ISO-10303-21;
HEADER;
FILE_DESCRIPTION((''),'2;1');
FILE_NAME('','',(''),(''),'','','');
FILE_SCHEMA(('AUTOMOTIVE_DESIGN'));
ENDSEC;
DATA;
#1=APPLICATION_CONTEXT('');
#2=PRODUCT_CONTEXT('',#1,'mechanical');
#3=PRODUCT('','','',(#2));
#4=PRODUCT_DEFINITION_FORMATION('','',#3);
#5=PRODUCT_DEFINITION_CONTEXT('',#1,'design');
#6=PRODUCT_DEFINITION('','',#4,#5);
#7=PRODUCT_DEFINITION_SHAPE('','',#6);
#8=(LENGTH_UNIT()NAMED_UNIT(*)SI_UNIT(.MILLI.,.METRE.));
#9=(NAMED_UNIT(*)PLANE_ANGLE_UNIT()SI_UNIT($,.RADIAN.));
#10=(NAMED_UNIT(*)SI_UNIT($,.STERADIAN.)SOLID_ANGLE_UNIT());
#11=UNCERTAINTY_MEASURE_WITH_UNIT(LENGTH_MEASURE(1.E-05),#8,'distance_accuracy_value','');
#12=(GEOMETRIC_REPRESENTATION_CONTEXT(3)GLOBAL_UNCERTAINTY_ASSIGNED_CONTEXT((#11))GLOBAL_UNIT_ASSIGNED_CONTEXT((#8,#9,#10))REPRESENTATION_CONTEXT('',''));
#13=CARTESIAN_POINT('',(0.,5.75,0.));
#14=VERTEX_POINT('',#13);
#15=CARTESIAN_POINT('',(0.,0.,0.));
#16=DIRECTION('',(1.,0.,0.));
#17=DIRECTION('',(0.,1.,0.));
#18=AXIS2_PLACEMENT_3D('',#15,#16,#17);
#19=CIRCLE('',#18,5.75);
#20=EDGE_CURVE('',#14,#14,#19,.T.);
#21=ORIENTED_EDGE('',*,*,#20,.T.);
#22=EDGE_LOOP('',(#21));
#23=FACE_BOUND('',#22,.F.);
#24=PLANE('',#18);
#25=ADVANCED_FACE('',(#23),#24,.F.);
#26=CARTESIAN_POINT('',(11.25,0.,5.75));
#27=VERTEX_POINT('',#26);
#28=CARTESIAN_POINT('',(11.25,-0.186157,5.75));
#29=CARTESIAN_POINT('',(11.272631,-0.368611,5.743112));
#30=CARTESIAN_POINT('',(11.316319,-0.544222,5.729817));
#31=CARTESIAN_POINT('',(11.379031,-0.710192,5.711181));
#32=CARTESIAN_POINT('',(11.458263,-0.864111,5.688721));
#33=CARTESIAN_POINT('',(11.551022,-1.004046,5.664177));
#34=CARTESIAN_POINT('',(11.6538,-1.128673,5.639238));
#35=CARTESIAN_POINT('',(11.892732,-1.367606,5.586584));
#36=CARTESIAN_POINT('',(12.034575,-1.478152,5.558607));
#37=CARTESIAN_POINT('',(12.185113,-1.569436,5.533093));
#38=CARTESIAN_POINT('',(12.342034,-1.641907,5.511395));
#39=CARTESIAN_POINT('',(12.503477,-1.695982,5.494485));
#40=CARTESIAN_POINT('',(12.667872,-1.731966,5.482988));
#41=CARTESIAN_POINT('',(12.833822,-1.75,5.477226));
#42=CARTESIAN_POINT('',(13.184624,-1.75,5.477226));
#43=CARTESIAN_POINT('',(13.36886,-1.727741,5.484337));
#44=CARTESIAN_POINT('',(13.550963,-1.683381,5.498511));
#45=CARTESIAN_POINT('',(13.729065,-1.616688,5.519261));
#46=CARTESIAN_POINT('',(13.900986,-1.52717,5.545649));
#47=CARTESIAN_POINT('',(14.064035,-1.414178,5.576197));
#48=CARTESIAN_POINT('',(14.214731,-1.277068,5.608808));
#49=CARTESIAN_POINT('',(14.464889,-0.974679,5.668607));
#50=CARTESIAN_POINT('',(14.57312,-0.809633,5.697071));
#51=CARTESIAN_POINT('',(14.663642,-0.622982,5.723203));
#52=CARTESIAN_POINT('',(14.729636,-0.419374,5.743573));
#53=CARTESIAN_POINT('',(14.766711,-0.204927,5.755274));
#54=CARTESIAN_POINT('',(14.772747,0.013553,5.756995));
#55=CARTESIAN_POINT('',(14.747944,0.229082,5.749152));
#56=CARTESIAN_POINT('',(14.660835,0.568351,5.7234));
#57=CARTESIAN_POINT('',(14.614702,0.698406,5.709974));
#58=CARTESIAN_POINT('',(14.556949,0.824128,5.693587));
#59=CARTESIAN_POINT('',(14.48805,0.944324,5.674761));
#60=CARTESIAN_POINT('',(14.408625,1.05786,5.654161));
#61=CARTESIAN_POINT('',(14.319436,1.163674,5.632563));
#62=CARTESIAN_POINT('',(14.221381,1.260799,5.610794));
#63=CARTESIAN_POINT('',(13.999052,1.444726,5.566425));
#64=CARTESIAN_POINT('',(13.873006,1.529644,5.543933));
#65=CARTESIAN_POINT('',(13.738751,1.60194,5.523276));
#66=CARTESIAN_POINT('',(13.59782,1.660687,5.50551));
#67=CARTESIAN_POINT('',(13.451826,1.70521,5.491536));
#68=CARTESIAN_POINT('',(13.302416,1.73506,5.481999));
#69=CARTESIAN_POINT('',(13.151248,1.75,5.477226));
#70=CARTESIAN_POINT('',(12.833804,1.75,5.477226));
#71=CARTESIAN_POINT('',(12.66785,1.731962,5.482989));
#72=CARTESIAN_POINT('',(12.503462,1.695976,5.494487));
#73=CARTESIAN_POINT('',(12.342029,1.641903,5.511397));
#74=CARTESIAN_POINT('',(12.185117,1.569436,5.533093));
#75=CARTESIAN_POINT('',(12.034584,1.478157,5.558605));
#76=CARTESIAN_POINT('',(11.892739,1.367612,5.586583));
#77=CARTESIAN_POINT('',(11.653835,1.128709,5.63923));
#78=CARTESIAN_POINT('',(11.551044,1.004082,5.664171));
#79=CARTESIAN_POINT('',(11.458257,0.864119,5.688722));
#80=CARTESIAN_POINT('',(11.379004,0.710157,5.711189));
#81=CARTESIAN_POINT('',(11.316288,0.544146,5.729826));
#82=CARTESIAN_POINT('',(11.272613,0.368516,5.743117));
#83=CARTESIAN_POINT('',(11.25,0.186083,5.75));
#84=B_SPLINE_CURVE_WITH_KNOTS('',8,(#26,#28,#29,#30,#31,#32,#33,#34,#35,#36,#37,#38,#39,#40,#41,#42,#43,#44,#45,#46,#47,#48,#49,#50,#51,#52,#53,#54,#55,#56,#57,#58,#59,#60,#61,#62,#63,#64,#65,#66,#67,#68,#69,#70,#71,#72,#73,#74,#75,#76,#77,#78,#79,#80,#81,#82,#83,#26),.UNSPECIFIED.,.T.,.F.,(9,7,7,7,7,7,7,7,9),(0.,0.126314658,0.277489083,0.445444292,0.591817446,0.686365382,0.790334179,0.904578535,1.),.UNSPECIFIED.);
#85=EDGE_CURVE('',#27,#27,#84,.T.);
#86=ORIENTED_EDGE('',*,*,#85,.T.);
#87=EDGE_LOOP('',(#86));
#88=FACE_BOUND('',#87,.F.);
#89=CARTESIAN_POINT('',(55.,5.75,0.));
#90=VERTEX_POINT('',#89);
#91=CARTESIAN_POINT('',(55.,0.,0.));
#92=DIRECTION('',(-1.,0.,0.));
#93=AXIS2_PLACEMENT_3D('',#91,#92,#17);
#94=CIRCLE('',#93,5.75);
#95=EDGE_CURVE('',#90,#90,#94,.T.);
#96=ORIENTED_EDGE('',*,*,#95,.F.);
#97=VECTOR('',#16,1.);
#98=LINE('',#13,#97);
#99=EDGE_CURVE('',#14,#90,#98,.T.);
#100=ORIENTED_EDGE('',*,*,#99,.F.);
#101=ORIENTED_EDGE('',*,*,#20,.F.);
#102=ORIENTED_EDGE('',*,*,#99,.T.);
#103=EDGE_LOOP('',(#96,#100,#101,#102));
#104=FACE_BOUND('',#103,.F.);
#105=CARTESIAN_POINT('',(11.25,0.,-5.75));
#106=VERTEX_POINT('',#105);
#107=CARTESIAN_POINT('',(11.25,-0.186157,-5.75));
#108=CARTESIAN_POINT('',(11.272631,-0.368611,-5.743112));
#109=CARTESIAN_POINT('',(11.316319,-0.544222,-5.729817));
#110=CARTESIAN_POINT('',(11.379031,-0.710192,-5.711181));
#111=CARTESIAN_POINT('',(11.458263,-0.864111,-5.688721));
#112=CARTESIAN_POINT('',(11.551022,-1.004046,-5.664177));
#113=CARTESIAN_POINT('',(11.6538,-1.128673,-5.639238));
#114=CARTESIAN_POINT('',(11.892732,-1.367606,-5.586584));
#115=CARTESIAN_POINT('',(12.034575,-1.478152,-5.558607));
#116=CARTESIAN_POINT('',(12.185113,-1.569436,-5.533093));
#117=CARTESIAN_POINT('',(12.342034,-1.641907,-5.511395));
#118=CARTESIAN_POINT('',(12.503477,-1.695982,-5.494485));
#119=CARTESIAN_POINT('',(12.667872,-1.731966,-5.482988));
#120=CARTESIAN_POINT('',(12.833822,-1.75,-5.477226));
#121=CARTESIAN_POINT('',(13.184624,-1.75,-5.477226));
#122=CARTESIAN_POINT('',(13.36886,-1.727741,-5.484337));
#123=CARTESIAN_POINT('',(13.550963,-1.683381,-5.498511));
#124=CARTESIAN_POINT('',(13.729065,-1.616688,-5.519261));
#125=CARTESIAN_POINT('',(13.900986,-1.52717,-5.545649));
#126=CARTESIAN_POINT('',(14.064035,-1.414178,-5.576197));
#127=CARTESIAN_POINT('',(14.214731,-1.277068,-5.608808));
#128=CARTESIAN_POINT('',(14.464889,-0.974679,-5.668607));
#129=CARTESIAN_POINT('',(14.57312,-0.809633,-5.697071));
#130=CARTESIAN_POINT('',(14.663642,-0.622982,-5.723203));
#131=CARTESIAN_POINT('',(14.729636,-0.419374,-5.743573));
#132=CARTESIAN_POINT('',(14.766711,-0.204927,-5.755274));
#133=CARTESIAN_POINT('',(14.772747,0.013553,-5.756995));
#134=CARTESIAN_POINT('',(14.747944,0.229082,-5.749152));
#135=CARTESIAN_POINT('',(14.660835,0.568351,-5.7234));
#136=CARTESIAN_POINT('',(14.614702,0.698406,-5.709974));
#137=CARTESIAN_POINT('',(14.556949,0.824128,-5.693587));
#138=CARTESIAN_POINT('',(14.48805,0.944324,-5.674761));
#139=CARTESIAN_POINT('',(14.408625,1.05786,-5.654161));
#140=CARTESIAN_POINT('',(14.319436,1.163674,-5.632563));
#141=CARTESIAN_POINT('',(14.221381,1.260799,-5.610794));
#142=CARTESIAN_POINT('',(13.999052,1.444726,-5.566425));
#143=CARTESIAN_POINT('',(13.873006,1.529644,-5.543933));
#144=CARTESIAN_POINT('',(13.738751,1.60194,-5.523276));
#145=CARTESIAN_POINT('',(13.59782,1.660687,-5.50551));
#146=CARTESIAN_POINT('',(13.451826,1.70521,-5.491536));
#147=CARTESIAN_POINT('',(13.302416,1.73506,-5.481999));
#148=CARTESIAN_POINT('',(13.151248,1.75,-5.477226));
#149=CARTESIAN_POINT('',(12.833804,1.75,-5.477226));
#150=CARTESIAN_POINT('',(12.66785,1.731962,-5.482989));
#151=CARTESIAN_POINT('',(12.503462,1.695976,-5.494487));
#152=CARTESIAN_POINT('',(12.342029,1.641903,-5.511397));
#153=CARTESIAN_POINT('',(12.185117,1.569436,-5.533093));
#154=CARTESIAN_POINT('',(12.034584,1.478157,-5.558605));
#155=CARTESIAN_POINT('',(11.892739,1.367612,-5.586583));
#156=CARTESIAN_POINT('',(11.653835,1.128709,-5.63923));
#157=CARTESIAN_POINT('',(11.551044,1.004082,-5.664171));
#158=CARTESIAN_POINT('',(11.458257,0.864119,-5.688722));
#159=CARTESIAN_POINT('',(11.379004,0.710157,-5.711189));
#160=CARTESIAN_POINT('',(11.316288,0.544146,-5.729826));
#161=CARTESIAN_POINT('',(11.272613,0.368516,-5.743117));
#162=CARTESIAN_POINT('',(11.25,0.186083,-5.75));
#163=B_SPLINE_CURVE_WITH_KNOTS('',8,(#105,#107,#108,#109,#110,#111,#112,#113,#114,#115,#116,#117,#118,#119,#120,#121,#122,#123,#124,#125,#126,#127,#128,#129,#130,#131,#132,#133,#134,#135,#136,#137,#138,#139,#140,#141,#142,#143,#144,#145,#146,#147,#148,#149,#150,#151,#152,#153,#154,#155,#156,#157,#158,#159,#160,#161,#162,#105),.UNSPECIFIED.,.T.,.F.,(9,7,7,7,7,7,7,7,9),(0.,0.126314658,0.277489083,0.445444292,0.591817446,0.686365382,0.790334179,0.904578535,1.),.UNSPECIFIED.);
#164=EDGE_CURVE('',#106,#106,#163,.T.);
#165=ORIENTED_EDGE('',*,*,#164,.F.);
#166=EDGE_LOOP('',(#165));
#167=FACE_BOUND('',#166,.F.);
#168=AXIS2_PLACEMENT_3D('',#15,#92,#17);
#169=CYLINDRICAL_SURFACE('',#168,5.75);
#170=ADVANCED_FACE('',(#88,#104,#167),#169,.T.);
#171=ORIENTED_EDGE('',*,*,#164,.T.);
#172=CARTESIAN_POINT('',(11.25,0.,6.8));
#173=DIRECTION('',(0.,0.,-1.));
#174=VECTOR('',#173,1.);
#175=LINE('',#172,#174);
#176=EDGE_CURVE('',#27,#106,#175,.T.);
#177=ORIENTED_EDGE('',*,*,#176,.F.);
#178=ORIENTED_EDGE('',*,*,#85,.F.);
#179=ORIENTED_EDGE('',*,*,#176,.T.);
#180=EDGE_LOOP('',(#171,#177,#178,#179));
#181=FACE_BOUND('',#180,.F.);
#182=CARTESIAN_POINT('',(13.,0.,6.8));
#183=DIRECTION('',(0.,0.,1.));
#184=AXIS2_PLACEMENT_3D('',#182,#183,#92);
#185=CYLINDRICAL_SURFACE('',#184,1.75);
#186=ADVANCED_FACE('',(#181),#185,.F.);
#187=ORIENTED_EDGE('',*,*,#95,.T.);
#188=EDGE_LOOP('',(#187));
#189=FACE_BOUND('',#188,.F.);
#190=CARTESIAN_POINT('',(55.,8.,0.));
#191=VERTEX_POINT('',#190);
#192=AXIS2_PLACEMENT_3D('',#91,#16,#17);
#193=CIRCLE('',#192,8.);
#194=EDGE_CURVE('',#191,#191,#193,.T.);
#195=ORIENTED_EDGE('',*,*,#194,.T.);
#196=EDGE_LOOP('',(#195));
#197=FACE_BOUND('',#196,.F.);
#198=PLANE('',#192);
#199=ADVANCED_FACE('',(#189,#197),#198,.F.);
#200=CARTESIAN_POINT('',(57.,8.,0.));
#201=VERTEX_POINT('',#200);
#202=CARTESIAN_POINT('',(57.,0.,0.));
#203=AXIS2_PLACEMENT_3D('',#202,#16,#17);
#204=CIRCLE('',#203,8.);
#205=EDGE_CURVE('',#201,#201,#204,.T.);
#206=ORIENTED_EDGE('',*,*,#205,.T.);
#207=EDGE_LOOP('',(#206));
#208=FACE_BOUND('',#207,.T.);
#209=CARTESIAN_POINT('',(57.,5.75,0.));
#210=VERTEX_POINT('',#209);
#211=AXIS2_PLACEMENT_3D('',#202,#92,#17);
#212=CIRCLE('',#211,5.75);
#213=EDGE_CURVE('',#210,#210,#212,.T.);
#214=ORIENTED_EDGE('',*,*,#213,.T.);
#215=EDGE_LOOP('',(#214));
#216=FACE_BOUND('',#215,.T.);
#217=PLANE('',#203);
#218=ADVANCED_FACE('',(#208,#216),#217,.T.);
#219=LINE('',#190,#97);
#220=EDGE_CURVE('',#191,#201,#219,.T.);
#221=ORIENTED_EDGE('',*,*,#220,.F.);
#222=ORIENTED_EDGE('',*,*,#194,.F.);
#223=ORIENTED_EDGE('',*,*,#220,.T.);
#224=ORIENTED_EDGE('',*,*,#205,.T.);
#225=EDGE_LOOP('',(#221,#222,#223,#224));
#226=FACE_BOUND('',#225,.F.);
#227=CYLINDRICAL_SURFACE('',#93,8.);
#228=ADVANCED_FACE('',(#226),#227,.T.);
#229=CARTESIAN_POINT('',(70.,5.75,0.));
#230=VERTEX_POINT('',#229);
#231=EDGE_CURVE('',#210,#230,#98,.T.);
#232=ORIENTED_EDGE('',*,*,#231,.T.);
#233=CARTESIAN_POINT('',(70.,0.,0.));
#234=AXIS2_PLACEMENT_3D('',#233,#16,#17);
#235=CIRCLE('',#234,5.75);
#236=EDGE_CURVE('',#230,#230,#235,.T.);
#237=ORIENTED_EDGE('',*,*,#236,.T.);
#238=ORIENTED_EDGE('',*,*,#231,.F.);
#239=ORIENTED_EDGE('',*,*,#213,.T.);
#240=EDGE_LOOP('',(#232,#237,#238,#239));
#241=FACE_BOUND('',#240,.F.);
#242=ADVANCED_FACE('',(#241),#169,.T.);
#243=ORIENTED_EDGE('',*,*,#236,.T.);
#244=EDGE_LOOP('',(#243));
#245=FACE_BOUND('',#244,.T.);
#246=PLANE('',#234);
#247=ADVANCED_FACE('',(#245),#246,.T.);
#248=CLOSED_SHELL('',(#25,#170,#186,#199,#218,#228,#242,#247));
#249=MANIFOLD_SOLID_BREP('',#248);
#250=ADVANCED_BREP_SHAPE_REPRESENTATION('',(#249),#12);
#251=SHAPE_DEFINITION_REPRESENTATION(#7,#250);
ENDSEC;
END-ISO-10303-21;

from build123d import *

# Parameters (mm, degrees)
F0_R     = 5.75
F1_DEPTH = 70
F4_DEPTH = 25
F6_R     = 8
F7_DEPTH = 2


with BuildPart() as f1:
    # F0 (on Right) → F1 (new body)
    with BuildSketch(Plane.YZ):
        Circle(F0_R)
    extrude(amount=F1_DEPTH)

    # F3 (on offset) → F4 (cut)
    with BuildSketch(Plane.XY.offset(6.8)):
        with BuildLine():
            Line((11.25, 0), (13, 0))
            Line((13, 0), (14.75, 0))
            ThreePointArc((14.75, 0), (13, 1.75), (11.25, 0))
        make_face()
        with BuildLine():
            Line((14.75, 0), (13, 0))
            Line((13, 0), (11.25, 0))
            ThreePointArc((11.25, 0), (13, -1.75), (14.75, 0))
        make_face()
    extrude(amount=-F4_DEPTH, mode=Mode.SUBTRACT)

    # F6 (on offset) → F7 (join)
    with BuildSketch(Plane.YZ.offset(55)):
        Circle(F6_R)
    extrude(amount=F7_DEPTH)


solid = f1.part
